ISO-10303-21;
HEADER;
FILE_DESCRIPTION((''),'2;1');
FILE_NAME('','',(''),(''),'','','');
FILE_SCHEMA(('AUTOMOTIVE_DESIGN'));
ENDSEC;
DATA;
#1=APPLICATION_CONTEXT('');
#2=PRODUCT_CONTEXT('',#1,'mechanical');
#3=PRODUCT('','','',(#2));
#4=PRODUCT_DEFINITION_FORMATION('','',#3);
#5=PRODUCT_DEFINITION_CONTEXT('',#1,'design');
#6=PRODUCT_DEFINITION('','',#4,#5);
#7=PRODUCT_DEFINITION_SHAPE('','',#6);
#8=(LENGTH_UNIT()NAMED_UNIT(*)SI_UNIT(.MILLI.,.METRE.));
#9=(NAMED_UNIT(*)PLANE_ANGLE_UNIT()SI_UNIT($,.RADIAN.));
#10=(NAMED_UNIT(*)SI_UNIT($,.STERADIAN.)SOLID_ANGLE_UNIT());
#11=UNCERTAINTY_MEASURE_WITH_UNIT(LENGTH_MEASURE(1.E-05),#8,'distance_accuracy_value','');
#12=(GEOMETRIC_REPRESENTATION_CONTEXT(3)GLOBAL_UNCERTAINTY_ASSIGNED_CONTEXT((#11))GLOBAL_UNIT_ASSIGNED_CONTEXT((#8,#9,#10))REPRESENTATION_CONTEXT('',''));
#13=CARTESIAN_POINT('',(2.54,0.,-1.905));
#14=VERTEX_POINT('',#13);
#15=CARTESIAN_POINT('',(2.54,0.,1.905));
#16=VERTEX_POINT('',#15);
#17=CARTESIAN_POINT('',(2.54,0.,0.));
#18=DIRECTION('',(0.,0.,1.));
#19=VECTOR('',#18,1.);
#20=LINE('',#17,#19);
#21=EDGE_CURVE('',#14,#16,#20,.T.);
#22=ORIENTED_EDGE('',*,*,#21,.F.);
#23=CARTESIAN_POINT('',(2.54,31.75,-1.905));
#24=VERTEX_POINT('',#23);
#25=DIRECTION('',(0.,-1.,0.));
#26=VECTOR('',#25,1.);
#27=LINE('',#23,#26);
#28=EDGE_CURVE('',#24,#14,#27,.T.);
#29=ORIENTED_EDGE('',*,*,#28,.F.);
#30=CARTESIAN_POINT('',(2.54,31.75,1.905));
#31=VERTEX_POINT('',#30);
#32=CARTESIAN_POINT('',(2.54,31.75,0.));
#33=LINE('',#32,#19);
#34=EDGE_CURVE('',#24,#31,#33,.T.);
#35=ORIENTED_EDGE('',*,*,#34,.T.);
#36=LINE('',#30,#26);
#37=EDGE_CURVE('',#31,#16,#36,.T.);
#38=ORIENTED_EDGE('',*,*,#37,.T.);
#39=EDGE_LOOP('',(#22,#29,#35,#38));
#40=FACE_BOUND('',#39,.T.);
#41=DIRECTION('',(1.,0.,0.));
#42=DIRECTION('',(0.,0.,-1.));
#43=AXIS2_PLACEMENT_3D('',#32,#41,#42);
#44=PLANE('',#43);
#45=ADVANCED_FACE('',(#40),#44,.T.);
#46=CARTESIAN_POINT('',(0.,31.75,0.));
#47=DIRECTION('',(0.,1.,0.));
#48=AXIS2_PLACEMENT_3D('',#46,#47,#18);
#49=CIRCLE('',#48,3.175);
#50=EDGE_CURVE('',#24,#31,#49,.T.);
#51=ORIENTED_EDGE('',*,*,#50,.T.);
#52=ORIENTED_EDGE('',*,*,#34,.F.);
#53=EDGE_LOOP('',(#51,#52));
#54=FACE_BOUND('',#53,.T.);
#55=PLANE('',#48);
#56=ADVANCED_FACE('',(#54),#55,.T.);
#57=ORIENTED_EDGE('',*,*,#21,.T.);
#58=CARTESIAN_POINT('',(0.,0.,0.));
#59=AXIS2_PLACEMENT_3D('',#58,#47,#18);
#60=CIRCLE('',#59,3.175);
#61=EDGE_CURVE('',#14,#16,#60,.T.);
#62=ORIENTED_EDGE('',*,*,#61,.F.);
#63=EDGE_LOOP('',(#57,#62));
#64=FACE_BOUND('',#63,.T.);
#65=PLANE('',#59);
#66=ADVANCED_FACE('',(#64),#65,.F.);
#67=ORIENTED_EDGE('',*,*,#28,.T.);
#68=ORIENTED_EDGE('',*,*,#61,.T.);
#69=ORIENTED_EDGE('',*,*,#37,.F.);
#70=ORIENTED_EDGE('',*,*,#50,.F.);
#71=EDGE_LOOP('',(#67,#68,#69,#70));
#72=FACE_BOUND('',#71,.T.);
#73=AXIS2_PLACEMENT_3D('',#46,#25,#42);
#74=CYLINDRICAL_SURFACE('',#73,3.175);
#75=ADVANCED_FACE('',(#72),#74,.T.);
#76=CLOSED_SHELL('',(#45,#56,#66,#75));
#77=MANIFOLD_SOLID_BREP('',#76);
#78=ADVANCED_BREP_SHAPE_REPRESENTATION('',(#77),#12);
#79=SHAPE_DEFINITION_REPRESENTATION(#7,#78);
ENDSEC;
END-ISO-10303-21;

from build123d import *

# Parameters (mm, degrees)
BOSS_EXTRUDE1_DEPTH = 31.75


with BuildPart() as part:
    # Sketch1 → Boss-Extrude1 (new body)
    with BuildSketch(Plane(origin=(0, 0, 0), x_dir=(1, 0, 0), z_dir=(0, 1, 0))):
        with BuildLine():
            Line((2.54, -1.905), (2.54, 1.905))
            ThreePointArc((2.54, 1.905), (-3.175, 0), (2.54, -1.905))
        make_face()
    extrude(amount=BOSS_EXTRUDE1_DEPTH)


solid = part.part
